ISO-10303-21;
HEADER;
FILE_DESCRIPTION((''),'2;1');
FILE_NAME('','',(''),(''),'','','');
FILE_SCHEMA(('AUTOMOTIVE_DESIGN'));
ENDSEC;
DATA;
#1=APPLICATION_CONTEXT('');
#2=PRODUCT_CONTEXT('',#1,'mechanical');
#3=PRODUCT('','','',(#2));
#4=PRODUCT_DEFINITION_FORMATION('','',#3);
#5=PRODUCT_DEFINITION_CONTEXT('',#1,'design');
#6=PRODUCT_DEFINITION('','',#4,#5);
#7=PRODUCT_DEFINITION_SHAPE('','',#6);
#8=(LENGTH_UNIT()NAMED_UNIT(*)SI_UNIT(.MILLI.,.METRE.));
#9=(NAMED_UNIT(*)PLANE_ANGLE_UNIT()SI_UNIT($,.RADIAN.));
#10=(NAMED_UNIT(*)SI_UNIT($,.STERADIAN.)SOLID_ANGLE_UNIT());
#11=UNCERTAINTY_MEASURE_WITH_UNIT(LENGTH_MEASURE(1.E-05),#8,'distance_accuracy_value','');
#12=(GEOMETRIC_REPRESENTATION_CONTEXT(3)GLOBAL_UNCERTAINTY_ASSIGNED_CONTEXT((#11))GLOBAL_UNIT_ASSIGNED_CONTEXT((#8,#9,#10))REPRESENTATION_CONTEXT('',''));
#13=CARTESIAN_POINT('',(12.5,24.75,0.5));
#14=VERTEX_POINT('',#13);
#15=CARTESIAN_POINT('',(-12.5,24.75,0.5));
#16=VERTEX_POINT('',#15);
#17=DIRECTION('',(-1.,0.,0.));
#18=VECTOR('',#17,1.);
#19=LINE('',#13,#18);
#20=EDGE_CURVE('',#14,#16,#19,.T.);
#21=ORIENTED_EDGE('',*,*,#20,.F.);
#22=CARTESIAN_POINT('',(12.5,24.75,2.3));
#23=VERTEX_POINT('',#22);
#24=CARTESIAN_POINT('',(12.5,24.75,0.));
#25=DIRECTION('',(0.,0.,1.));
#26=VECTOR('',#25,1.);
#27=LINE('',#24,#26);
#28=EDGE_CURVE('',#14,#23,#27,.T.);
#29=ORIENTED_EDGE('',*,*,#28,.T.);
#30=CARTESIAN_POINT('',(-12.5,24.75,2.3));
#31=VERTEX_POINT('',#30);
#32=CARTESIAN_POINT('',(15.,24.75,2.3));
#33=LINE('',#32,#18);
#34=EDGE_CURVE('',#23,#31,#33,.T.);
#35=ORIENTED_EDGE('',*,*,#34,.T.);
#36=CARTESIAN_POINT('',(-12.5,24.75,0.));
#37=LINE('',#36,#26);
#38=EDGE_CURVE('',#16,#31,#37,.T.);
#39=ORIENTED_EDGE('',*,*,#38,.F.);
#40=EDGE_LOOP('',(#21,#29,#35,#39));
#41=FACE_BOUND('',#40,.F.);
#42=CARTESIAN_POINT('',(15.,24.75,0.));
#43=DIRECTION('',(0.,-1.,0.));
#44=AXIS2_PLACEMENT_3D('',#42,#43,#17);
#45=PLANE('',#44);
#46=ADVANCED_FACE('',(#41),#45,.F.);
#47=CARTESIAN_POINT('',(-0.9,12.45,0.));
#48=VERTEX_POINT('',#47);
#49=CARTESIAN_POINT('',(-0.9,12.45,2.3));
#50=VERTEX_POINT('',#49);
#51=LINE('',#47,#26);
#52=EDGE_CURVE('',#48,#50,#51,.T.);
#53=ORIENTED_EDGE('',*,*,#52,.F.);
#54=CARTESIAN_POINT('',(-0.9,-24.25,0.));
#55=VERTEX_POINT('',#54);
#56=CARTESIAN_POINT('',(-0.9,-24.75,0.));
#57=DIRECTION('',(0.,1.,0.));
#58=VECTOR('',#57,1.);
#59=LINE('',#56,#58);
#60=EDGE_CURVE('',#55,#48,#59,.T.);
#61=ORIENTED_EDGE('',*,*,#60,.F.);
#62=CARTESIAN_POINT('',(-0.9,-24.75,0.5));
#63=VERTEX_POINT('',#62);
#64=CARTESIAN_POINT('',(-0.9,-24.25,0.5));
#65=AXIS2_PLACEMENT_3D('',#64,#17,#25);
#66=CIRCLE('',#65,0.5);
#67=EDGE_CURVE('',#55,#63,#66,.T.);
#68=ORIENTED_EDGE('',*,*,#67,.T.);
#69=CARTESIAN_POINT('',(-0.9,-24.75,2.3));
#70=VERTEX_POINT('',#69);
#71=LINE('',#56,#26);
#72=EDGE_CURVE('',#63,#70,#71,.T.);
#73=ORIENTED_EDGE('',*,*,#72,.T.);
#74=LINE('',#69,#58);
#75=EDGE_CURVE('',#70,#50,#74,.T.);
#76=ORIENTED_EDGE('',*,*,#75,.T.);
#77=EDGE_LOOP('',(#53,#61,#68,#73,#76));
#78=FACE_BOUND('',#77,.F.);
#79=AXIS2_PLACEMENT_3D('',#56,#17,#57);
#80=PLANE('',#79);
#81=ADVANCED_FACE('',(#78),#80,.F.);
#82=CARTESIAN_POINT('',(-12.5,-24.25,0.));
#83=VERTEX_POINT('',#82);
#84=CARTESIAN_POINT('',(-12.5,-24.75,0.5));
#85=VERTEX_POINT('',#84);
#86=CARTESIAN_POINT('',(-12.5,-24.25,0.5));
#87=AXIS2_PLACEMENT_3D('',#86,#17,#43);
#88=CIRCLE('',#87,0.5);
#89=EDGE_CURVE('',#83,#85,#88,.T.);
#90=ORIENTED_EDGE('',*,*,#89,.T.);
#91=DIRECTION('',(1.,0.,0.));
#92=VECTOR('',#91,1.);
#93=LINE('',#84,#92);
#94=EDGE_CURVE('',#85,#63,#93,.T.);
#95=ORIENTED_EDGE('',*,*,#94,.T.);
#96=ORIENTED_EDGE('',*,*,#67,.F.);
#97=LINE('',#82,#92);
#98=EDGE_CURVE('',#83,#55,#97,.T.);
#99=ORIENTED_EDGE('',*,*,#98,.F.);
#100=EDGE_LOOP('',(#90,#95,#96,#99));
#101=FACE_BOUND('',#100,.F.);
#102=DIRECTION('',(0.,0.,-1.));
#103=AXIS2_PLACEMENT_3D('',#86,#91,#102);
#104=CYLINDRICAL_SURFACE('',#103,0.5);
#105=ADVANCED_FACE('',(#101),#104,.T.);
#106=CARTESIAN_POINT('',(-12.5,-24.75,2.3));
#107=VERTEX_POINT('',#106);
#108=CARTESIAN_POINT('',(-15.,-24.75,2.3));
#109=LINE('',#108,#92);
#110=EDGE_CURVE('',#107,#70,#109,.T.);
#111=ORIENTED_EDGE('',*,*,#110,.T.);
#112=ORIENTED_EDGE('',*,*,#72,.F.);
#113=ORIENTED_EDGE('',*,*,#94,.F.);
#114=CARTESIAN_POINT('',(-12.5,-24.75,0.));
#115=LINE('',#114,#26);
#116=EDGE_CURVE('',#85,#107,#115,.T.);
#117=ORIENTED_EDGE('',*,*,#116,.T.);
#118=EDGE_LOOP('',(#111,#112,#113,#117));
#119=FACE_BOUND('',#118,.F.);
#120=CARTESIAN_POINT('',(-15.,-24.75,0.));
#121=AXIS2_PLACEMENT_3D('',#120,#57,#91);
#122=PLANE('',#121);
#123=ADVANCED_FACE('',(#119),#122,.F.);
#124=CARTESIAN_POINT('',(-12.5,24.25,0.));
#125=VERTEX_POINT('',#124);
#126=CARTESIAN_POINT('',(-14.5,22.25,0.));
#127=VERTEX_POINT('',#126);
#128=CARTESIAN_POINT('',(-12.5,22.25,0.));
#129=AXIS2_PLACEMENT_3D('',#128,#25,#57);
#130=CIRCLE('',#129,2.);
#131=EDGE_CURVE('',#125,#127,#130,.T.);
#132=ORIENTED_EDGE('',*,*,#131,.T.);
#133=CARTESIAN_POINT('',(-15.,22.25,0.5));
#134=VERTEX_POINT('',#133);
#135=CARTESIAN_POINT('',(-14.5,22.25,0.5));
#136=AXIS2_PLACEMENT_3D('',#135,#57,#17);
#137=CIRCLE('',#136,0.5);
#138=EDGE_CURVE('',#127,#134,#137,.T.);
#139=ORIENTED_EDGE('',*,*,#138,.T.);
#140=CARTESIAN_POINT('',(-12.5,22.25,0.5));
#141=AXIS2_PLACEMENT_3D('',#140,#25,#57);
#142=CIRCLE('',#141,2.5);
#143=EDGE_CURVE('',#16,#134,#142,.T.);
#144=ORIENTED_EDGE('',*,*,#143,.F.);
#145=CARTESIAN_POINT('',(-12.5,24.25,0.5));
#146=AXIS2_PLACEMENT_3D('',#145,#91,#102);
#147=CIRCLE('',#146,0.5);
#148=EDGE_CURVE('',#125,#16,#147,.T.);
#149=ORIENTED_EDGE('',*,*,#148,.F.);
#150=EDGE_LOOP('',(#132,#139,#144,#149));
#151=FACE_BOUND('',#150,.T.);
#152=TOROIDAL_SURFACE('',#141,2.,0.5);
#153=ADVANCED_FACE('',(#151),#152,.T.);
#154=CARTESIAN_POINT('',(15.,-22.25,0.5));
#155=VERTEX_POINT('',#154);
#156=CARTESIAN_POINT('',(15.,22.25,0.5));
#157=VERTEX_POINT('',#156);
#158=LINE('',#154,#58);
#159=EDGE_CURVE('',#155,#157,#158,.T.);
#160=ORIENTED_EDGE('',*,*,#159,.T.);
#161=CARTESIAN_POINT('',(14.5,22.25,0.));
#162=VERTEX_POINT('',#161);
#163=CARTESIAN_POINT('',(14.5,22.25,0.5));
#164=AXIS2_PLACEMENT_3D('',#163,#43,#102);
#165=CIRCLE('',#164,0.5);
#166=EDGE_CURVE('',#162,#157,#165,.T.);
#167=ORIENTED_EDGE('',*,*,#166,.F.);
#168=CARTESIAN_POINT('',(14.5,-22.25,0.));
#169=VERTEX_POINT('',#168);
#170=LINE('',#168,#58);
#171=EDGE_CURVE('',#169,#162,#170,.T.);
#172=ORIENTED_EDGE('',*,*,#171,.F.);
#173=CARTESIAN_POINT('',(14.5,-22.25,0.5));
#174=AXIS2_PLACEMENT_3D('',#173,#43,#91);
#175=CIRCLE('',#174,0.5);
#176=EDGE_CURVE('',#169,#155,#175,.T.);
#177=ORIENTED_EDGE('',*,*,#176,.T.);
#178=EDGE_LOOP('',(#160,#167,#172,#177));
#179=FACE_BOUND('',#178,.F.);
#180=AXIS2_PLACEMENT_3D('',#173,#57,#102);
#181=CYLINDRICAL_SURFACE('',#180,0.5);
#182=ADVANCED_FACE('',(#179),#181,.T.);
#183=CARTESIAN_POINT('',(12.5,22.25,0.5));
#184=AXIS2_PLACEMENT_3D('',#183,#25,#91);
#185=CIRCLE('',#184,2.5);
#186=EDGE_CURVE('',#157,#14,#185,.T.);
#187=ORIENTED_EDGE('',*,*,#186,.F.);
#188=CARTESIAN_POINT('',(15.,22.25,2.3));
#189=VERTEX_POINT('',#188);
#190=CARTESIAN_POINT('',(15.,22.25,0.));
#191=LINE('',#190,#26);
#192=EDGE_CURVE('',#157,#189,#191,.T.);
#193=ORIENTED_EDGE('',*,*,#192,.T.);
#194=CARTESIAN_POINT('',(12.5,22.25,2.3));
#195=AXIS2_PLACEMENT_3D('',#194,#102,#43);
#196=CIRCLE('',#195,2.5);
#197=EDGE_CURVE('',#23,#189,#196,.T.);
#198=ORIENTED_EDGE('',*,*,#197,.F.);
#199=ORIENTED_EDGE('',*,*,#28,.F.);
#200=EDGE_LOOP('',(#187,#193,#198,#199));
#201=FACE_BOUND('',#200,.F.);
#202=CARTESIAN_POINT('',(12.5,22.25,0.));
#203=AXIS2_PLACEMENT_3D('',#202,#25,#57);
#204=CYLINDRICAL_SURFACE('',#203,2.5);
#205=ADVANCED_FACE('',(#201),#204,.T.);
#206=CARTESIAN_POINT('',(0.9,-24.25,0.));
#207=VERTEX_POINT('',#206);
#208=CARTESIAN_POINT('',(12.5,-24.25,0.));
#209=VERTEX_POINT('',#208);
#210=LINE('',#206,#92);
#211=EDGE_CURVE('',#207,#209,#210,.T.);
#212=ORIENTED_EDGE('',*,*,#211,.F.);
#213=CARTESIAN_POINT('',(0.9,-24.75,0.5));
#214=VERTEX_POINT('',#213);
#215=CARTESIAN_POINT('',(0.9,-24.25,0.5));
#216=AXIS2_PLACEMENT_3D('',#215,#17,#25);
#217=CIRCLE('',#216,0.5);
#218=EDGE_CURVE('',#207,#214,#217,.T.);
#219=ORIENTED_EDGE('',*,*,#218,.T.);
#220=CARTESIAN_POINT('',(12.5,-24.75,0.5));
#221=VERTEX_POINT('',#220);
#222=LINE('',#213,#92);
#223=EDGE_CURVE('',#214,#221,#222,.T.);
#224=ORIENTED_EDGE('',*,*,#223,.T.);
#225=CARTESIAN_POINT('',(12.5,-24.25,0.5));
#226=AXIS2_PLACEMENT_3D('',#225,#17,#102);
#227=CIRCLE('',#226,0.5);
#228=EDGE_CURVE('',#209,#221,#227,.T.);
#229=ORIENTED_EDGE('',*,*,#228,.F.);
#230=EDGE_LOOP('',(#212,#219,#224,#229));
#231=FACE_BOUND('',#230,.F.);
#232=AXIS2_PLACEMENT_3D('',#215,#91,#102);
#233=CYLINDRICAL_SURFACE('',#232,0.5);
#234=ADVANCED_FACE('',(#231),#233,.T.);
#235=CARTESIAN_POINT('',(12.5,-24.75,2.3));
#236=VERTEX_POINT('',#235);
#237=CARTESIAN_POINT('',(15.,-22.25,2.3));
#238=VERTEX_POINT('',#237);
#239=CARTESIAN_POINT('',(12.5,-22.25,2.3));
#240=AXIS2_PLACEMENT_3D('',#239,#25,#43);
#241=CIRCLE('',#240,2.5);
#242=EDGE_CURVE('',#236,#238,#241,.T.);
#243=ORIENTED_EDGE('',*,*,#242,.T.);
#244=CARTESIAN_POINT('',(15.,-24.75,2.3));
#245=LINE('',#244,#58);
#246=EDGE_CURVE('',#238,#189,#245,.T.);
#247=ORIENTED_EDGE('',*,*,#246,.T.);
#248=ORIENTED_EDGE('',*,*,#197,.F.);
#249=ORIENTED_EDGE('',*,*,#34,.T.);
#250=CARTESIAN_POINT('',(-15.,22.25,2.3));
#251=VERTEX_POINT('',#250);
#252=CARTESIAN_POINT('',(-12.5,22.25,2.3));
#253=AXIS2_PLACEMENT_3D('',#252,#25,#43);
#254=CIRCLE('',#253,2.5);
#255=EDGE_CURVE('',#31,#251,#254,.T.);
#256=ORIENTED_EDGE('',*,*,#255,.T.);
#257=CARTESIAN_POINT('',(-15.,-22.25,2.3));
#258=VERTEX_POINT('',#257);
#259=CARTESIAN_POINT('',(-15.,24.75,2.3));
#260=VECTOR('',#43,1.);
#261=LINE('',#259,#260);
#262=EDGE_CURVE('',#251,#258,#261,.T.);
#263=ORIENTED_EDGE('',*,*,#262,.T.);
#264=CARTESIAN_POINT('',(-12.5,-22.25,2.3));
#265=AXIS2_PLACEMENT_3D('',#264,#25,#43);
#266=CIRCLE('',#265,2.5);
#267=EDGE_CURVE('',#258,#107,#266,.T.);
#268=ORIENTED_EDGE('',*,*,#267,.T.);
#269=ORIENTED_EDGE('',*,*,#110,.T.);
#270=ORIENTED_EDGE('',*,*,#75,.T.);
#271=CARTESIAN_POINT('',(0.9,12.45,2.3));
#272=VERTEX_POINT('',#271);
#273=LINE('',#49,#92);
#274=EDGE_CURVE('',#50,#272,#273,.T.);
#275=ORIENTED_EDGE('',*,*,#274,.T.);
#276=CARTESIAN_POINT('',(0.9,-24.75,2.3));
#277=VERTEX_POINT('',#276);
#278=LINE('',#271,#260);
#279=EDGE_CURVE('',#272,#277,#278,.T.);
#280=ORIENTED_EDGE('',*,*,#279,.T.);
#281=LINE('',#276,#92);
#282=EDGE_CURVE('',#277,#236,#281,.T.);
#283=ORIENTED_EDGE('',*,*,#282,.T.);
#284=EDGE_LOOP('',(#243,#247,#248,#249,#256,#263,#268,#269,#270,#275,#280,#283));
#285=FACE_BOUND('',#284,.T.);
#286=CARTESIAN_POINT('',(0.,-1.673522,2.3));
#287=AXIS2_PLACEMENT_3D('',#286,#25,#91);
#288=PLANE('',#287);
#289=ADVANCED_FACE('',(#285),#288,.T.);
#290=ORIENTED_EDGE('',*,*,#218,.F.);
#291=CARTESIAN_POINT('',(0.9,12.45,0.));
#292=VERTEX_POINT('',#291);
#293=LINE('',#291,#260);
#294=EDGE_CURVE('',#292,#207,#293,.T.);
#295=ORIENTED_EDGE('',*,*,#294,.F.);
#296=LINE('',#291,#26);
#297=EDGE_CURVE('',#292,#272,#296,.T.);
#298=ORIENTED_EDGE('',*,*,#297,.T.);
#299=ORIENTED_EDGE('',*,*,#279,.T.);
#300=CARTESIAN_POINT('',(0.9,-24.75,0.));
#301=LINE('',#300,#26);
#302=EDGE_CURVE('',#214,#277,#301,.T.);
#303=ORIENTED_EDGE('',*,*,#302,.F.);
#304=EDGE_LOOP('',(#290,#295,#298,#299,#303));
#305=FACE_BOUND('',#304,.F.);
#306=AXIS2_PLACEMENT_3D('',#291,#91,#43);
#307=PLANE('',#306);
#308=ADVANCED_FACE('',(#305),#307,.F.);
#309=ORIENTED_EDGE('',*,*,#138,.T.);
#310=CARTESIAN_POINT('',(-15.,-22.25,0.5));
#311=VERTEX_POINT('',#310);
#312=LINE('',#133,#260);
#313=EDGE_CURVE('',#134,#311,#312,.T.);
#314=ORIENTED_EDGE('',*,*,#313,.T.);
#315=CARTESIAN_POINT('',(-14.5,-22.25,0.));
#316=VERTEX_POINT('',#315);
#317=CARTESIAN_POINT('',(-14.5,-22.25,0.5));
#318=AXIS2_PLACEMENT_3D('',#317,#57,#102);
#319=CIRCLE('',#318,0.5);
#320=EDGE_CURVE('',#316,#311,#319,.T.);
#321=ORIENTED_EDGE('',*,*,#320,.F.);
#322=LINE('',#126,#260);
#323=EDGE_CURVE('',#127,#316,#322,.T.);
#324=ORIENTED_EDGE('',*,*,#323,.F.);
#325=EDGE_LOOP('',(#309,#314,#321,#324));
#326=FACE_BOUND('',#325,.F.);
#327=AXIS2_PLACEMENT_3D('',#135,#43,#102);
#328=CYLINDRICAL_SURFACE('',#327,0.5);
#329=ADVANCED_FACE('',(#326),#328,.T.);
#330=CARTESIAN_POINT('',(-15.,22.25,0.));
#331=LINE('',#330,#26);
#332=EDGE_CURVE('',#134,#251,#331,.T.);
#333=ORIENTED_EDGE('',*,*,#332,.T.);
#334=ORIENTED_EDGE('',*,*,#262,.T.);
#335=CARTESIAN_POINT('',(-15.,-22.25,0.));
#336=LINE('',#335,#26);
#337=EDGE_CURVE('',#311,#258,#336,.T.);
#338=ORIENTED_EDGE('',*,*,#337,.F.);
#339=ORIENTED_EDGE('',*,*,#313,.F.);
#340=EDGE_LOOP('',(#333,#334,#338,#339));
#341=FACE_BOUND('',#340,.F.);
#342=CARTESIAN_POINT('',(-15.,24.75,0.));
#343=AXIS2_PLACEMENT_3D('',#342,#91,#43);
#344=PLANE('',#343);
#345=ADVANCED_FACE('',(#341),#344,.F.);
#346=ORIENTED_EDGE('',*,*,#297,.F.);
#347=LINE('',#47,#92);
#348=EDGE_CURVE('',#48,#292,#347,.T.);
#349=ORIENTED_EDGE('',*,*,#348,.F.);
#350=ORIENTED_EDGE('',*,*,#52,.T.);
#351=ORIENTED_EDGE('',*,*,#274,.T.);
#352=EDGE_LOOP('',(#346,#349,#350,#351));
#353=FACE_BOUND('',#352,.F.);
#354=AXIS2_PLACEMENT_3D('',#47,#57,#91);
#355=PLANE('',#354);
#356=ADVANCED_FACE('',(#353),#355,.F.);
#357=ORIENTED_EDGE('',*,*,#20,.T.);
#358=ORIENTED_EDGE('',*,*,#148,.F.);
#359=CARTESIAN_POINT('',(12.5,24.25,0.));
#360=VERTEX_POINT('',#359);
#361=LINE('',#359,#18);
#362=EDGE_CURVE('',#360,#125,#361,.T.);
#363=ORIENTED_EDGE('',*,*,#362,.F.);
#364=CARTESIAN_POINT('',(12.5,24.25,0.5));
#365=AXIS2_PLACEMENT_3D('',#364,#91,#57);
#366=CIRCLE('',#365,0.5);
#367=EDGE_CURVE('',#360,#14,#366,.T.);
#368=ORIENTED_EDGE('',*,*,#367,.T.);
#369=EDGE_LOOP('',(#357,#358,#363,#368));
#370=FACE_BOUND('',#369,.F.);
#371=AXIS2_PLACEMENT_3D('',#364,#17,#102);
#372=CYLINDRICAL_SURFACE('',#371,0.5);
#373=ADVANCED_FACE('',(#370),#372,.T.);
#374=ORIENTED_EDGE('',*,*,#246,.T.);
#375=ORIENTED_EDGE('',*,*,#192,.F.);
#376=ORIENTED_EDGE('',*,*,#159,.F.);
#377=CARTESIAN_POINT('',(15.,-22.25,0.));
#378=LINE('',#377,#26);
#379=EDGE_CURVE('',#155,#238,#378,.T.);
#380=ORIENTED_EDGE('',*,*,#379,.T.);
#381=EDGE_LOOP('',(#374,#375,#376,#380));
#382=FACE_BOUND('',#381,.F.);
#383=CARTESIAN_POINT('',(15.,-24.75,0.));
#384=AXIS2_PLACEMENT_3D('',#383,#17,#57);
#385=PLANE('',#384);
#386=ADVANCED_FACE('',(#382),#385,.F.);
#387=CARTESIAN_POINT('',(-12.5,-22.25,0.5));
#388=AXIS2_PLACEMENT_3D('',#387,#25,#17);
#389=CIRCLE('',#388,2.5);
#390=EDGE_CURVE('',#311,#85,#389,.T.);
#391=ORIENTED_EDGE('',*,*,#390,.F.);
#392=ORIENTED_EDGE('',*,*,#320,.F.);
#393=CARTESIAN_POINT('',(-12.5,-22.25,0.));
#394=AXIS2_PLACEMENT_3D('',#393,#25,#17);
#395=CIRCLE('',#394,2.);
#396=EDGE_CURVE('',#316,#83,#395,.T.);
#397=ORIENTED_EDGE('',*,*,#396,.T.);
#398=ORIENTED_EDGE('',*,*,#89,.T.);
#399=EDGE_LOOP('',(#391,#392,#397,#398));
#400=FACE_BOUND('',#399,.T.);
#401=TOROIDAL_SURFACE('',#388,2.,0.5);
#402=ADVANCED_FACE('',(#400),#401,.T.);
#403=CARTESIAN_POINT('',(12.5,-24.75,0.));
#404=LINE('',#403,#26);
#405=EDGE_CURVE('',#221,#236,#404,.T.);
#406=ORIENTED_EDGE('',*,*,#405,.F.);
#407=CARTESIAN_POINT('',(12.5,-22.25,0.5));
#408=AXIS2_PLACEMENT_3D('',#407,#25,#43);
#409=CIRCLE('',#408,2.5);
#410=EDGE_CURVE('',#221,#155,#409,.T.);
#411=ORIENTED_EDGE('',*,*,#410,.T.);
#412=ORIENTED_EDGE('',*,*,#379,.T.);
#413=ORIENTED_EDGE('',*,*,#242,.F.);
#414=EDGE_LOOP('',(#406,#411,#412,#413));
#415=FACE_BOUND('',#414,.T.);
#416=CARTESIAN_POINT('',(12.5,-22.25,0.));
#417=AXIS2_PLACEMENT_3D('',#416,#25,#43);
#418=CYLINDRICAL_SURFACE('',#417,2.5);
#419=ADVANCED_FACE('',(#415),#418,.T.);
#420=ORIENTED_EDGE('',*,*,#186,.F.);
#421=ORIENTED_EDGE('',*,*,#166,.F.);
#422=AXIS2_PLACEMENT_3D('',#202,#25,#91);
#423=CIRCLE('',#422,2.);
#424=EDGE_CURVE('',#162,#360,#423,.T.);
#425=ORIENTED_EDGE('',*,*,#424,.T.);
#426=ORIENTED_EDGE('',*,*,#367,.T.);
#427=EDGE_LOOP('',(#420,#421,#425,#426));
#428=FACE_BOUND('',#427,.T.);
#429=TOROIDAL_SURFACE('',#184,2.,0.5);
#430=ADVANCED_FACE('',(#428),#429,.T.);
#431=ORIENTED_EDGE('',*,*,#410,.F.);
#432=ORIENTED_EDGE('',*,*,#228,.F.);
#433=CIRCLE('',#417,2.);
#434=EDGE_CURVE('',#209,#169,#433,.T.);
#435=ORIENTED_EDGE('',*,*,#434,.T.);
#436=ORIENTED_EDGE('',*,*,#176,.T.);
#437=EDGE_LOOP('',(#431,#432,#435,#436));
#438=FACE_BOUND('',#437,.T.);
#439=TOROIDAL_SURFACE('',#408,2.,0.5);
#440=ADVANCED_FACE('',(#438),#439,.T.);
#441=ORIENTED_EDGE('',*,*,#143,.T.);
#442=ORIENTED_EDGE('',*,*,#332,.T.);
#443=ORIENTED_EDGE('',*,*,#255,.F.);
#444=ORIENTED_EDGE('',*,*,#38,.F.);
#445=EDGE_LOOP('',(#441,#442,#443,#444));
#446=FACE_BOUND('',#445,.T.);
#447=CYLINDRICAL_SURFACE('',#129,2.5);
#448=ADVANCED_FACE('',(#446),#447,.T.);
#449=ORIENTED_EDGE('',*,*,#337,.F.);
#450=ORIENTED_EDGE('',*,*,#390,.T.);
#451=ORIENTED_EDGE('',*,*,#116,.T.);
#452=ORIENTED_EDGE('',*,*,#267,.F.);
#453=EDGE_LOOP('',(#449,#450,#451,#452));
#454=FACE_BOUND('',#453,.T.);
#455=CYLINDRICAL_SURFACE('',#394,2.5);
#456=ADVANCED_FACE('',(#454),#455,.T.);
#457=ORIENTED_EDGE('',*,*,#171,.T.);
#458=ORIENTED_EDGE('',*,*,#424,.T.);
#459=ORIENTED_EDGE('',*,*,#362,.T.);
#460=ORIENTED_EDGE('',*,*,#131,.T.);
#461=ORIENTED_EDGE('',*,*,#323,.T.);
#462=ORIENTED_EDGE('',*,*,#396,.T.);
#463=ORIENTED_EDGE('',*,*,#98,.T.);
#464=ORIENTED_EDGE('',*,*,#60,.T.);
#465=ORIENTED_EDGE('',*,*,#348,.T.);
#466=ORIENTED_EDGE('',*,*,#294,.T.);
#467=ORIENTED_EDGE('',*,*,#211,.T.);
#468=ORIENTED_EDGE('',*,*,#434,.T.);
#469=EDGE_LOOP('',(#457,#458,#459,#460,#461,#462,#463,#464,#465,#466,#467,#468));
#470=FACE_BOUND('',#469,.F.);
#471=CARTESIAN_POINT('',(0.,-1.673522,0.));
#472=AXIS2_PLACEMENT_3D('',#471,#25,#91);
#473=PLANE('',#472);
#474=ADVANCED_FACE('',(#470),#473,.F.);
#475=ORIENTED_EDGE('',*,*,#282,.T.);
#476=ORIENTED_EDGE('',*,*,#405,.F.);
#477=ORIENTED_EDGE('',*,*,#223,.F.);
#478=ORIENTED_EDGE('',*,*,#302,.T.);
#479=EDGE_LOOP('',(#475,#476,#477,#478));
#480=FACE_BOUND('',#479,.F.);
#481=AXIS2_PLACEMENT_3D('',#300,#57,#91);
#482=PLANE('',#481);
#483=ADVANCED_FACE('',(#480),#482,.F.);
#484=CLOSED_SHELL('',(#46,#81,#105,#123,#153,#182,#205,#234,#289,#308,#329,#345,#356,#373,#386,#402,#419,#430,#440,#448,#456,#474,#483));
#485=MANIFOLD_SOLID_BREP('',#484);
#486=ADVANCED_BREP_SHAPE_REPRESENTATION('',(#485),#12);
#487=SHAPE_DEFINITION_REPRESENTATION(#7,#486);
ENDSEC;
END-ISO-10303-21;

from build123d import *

# Parameters (mm, degrees)
F1_DEPTH = 2.3
F2_R     = 2.5
F3_R     = 0.5


with BuildPart() as f1:
    # F0 (on Top) → F1 (new body)
    with BuildSketch(Plane.XY):
        Polygon((15, 24.75), (-15, 24.75), (-15, -24.75), (-0.9, -24.75), (-0.9, 12.45), (0.9, 12.45), (0.9, -24.75), (15, -24.75), align=None)
    extrude(amount=F1_DEPTH)

    # F2
    f2_edges = [f1.edges().sort_by_distance(p)[0] for p in [
        (-15, 24.75, 1.15),
        (-15, -24.75, 1.15),
        (15, -24.75, 1.15),
        (15, 24.75, 1.15),
    ]]
    fillet(f2_edges, radius=F2_R)

    # F3
    f3_edges = [f1.edges().sort_by_distance(p)[0] for p in [
        (6.7, -24.75, 0),
        (14.267767, -24.017767, 0),
        (15, 0, 0),
        (0, 24.75, 0),
        (14.267767, 24.017767, 0),
        (-14.267767, 24.017767, 0),
        (-15, 0, 0),
        (-14.267767, -24.017767, 0),
    ]]
    fillet(f3_edges, radius=F3_R)


solid = f1.part
